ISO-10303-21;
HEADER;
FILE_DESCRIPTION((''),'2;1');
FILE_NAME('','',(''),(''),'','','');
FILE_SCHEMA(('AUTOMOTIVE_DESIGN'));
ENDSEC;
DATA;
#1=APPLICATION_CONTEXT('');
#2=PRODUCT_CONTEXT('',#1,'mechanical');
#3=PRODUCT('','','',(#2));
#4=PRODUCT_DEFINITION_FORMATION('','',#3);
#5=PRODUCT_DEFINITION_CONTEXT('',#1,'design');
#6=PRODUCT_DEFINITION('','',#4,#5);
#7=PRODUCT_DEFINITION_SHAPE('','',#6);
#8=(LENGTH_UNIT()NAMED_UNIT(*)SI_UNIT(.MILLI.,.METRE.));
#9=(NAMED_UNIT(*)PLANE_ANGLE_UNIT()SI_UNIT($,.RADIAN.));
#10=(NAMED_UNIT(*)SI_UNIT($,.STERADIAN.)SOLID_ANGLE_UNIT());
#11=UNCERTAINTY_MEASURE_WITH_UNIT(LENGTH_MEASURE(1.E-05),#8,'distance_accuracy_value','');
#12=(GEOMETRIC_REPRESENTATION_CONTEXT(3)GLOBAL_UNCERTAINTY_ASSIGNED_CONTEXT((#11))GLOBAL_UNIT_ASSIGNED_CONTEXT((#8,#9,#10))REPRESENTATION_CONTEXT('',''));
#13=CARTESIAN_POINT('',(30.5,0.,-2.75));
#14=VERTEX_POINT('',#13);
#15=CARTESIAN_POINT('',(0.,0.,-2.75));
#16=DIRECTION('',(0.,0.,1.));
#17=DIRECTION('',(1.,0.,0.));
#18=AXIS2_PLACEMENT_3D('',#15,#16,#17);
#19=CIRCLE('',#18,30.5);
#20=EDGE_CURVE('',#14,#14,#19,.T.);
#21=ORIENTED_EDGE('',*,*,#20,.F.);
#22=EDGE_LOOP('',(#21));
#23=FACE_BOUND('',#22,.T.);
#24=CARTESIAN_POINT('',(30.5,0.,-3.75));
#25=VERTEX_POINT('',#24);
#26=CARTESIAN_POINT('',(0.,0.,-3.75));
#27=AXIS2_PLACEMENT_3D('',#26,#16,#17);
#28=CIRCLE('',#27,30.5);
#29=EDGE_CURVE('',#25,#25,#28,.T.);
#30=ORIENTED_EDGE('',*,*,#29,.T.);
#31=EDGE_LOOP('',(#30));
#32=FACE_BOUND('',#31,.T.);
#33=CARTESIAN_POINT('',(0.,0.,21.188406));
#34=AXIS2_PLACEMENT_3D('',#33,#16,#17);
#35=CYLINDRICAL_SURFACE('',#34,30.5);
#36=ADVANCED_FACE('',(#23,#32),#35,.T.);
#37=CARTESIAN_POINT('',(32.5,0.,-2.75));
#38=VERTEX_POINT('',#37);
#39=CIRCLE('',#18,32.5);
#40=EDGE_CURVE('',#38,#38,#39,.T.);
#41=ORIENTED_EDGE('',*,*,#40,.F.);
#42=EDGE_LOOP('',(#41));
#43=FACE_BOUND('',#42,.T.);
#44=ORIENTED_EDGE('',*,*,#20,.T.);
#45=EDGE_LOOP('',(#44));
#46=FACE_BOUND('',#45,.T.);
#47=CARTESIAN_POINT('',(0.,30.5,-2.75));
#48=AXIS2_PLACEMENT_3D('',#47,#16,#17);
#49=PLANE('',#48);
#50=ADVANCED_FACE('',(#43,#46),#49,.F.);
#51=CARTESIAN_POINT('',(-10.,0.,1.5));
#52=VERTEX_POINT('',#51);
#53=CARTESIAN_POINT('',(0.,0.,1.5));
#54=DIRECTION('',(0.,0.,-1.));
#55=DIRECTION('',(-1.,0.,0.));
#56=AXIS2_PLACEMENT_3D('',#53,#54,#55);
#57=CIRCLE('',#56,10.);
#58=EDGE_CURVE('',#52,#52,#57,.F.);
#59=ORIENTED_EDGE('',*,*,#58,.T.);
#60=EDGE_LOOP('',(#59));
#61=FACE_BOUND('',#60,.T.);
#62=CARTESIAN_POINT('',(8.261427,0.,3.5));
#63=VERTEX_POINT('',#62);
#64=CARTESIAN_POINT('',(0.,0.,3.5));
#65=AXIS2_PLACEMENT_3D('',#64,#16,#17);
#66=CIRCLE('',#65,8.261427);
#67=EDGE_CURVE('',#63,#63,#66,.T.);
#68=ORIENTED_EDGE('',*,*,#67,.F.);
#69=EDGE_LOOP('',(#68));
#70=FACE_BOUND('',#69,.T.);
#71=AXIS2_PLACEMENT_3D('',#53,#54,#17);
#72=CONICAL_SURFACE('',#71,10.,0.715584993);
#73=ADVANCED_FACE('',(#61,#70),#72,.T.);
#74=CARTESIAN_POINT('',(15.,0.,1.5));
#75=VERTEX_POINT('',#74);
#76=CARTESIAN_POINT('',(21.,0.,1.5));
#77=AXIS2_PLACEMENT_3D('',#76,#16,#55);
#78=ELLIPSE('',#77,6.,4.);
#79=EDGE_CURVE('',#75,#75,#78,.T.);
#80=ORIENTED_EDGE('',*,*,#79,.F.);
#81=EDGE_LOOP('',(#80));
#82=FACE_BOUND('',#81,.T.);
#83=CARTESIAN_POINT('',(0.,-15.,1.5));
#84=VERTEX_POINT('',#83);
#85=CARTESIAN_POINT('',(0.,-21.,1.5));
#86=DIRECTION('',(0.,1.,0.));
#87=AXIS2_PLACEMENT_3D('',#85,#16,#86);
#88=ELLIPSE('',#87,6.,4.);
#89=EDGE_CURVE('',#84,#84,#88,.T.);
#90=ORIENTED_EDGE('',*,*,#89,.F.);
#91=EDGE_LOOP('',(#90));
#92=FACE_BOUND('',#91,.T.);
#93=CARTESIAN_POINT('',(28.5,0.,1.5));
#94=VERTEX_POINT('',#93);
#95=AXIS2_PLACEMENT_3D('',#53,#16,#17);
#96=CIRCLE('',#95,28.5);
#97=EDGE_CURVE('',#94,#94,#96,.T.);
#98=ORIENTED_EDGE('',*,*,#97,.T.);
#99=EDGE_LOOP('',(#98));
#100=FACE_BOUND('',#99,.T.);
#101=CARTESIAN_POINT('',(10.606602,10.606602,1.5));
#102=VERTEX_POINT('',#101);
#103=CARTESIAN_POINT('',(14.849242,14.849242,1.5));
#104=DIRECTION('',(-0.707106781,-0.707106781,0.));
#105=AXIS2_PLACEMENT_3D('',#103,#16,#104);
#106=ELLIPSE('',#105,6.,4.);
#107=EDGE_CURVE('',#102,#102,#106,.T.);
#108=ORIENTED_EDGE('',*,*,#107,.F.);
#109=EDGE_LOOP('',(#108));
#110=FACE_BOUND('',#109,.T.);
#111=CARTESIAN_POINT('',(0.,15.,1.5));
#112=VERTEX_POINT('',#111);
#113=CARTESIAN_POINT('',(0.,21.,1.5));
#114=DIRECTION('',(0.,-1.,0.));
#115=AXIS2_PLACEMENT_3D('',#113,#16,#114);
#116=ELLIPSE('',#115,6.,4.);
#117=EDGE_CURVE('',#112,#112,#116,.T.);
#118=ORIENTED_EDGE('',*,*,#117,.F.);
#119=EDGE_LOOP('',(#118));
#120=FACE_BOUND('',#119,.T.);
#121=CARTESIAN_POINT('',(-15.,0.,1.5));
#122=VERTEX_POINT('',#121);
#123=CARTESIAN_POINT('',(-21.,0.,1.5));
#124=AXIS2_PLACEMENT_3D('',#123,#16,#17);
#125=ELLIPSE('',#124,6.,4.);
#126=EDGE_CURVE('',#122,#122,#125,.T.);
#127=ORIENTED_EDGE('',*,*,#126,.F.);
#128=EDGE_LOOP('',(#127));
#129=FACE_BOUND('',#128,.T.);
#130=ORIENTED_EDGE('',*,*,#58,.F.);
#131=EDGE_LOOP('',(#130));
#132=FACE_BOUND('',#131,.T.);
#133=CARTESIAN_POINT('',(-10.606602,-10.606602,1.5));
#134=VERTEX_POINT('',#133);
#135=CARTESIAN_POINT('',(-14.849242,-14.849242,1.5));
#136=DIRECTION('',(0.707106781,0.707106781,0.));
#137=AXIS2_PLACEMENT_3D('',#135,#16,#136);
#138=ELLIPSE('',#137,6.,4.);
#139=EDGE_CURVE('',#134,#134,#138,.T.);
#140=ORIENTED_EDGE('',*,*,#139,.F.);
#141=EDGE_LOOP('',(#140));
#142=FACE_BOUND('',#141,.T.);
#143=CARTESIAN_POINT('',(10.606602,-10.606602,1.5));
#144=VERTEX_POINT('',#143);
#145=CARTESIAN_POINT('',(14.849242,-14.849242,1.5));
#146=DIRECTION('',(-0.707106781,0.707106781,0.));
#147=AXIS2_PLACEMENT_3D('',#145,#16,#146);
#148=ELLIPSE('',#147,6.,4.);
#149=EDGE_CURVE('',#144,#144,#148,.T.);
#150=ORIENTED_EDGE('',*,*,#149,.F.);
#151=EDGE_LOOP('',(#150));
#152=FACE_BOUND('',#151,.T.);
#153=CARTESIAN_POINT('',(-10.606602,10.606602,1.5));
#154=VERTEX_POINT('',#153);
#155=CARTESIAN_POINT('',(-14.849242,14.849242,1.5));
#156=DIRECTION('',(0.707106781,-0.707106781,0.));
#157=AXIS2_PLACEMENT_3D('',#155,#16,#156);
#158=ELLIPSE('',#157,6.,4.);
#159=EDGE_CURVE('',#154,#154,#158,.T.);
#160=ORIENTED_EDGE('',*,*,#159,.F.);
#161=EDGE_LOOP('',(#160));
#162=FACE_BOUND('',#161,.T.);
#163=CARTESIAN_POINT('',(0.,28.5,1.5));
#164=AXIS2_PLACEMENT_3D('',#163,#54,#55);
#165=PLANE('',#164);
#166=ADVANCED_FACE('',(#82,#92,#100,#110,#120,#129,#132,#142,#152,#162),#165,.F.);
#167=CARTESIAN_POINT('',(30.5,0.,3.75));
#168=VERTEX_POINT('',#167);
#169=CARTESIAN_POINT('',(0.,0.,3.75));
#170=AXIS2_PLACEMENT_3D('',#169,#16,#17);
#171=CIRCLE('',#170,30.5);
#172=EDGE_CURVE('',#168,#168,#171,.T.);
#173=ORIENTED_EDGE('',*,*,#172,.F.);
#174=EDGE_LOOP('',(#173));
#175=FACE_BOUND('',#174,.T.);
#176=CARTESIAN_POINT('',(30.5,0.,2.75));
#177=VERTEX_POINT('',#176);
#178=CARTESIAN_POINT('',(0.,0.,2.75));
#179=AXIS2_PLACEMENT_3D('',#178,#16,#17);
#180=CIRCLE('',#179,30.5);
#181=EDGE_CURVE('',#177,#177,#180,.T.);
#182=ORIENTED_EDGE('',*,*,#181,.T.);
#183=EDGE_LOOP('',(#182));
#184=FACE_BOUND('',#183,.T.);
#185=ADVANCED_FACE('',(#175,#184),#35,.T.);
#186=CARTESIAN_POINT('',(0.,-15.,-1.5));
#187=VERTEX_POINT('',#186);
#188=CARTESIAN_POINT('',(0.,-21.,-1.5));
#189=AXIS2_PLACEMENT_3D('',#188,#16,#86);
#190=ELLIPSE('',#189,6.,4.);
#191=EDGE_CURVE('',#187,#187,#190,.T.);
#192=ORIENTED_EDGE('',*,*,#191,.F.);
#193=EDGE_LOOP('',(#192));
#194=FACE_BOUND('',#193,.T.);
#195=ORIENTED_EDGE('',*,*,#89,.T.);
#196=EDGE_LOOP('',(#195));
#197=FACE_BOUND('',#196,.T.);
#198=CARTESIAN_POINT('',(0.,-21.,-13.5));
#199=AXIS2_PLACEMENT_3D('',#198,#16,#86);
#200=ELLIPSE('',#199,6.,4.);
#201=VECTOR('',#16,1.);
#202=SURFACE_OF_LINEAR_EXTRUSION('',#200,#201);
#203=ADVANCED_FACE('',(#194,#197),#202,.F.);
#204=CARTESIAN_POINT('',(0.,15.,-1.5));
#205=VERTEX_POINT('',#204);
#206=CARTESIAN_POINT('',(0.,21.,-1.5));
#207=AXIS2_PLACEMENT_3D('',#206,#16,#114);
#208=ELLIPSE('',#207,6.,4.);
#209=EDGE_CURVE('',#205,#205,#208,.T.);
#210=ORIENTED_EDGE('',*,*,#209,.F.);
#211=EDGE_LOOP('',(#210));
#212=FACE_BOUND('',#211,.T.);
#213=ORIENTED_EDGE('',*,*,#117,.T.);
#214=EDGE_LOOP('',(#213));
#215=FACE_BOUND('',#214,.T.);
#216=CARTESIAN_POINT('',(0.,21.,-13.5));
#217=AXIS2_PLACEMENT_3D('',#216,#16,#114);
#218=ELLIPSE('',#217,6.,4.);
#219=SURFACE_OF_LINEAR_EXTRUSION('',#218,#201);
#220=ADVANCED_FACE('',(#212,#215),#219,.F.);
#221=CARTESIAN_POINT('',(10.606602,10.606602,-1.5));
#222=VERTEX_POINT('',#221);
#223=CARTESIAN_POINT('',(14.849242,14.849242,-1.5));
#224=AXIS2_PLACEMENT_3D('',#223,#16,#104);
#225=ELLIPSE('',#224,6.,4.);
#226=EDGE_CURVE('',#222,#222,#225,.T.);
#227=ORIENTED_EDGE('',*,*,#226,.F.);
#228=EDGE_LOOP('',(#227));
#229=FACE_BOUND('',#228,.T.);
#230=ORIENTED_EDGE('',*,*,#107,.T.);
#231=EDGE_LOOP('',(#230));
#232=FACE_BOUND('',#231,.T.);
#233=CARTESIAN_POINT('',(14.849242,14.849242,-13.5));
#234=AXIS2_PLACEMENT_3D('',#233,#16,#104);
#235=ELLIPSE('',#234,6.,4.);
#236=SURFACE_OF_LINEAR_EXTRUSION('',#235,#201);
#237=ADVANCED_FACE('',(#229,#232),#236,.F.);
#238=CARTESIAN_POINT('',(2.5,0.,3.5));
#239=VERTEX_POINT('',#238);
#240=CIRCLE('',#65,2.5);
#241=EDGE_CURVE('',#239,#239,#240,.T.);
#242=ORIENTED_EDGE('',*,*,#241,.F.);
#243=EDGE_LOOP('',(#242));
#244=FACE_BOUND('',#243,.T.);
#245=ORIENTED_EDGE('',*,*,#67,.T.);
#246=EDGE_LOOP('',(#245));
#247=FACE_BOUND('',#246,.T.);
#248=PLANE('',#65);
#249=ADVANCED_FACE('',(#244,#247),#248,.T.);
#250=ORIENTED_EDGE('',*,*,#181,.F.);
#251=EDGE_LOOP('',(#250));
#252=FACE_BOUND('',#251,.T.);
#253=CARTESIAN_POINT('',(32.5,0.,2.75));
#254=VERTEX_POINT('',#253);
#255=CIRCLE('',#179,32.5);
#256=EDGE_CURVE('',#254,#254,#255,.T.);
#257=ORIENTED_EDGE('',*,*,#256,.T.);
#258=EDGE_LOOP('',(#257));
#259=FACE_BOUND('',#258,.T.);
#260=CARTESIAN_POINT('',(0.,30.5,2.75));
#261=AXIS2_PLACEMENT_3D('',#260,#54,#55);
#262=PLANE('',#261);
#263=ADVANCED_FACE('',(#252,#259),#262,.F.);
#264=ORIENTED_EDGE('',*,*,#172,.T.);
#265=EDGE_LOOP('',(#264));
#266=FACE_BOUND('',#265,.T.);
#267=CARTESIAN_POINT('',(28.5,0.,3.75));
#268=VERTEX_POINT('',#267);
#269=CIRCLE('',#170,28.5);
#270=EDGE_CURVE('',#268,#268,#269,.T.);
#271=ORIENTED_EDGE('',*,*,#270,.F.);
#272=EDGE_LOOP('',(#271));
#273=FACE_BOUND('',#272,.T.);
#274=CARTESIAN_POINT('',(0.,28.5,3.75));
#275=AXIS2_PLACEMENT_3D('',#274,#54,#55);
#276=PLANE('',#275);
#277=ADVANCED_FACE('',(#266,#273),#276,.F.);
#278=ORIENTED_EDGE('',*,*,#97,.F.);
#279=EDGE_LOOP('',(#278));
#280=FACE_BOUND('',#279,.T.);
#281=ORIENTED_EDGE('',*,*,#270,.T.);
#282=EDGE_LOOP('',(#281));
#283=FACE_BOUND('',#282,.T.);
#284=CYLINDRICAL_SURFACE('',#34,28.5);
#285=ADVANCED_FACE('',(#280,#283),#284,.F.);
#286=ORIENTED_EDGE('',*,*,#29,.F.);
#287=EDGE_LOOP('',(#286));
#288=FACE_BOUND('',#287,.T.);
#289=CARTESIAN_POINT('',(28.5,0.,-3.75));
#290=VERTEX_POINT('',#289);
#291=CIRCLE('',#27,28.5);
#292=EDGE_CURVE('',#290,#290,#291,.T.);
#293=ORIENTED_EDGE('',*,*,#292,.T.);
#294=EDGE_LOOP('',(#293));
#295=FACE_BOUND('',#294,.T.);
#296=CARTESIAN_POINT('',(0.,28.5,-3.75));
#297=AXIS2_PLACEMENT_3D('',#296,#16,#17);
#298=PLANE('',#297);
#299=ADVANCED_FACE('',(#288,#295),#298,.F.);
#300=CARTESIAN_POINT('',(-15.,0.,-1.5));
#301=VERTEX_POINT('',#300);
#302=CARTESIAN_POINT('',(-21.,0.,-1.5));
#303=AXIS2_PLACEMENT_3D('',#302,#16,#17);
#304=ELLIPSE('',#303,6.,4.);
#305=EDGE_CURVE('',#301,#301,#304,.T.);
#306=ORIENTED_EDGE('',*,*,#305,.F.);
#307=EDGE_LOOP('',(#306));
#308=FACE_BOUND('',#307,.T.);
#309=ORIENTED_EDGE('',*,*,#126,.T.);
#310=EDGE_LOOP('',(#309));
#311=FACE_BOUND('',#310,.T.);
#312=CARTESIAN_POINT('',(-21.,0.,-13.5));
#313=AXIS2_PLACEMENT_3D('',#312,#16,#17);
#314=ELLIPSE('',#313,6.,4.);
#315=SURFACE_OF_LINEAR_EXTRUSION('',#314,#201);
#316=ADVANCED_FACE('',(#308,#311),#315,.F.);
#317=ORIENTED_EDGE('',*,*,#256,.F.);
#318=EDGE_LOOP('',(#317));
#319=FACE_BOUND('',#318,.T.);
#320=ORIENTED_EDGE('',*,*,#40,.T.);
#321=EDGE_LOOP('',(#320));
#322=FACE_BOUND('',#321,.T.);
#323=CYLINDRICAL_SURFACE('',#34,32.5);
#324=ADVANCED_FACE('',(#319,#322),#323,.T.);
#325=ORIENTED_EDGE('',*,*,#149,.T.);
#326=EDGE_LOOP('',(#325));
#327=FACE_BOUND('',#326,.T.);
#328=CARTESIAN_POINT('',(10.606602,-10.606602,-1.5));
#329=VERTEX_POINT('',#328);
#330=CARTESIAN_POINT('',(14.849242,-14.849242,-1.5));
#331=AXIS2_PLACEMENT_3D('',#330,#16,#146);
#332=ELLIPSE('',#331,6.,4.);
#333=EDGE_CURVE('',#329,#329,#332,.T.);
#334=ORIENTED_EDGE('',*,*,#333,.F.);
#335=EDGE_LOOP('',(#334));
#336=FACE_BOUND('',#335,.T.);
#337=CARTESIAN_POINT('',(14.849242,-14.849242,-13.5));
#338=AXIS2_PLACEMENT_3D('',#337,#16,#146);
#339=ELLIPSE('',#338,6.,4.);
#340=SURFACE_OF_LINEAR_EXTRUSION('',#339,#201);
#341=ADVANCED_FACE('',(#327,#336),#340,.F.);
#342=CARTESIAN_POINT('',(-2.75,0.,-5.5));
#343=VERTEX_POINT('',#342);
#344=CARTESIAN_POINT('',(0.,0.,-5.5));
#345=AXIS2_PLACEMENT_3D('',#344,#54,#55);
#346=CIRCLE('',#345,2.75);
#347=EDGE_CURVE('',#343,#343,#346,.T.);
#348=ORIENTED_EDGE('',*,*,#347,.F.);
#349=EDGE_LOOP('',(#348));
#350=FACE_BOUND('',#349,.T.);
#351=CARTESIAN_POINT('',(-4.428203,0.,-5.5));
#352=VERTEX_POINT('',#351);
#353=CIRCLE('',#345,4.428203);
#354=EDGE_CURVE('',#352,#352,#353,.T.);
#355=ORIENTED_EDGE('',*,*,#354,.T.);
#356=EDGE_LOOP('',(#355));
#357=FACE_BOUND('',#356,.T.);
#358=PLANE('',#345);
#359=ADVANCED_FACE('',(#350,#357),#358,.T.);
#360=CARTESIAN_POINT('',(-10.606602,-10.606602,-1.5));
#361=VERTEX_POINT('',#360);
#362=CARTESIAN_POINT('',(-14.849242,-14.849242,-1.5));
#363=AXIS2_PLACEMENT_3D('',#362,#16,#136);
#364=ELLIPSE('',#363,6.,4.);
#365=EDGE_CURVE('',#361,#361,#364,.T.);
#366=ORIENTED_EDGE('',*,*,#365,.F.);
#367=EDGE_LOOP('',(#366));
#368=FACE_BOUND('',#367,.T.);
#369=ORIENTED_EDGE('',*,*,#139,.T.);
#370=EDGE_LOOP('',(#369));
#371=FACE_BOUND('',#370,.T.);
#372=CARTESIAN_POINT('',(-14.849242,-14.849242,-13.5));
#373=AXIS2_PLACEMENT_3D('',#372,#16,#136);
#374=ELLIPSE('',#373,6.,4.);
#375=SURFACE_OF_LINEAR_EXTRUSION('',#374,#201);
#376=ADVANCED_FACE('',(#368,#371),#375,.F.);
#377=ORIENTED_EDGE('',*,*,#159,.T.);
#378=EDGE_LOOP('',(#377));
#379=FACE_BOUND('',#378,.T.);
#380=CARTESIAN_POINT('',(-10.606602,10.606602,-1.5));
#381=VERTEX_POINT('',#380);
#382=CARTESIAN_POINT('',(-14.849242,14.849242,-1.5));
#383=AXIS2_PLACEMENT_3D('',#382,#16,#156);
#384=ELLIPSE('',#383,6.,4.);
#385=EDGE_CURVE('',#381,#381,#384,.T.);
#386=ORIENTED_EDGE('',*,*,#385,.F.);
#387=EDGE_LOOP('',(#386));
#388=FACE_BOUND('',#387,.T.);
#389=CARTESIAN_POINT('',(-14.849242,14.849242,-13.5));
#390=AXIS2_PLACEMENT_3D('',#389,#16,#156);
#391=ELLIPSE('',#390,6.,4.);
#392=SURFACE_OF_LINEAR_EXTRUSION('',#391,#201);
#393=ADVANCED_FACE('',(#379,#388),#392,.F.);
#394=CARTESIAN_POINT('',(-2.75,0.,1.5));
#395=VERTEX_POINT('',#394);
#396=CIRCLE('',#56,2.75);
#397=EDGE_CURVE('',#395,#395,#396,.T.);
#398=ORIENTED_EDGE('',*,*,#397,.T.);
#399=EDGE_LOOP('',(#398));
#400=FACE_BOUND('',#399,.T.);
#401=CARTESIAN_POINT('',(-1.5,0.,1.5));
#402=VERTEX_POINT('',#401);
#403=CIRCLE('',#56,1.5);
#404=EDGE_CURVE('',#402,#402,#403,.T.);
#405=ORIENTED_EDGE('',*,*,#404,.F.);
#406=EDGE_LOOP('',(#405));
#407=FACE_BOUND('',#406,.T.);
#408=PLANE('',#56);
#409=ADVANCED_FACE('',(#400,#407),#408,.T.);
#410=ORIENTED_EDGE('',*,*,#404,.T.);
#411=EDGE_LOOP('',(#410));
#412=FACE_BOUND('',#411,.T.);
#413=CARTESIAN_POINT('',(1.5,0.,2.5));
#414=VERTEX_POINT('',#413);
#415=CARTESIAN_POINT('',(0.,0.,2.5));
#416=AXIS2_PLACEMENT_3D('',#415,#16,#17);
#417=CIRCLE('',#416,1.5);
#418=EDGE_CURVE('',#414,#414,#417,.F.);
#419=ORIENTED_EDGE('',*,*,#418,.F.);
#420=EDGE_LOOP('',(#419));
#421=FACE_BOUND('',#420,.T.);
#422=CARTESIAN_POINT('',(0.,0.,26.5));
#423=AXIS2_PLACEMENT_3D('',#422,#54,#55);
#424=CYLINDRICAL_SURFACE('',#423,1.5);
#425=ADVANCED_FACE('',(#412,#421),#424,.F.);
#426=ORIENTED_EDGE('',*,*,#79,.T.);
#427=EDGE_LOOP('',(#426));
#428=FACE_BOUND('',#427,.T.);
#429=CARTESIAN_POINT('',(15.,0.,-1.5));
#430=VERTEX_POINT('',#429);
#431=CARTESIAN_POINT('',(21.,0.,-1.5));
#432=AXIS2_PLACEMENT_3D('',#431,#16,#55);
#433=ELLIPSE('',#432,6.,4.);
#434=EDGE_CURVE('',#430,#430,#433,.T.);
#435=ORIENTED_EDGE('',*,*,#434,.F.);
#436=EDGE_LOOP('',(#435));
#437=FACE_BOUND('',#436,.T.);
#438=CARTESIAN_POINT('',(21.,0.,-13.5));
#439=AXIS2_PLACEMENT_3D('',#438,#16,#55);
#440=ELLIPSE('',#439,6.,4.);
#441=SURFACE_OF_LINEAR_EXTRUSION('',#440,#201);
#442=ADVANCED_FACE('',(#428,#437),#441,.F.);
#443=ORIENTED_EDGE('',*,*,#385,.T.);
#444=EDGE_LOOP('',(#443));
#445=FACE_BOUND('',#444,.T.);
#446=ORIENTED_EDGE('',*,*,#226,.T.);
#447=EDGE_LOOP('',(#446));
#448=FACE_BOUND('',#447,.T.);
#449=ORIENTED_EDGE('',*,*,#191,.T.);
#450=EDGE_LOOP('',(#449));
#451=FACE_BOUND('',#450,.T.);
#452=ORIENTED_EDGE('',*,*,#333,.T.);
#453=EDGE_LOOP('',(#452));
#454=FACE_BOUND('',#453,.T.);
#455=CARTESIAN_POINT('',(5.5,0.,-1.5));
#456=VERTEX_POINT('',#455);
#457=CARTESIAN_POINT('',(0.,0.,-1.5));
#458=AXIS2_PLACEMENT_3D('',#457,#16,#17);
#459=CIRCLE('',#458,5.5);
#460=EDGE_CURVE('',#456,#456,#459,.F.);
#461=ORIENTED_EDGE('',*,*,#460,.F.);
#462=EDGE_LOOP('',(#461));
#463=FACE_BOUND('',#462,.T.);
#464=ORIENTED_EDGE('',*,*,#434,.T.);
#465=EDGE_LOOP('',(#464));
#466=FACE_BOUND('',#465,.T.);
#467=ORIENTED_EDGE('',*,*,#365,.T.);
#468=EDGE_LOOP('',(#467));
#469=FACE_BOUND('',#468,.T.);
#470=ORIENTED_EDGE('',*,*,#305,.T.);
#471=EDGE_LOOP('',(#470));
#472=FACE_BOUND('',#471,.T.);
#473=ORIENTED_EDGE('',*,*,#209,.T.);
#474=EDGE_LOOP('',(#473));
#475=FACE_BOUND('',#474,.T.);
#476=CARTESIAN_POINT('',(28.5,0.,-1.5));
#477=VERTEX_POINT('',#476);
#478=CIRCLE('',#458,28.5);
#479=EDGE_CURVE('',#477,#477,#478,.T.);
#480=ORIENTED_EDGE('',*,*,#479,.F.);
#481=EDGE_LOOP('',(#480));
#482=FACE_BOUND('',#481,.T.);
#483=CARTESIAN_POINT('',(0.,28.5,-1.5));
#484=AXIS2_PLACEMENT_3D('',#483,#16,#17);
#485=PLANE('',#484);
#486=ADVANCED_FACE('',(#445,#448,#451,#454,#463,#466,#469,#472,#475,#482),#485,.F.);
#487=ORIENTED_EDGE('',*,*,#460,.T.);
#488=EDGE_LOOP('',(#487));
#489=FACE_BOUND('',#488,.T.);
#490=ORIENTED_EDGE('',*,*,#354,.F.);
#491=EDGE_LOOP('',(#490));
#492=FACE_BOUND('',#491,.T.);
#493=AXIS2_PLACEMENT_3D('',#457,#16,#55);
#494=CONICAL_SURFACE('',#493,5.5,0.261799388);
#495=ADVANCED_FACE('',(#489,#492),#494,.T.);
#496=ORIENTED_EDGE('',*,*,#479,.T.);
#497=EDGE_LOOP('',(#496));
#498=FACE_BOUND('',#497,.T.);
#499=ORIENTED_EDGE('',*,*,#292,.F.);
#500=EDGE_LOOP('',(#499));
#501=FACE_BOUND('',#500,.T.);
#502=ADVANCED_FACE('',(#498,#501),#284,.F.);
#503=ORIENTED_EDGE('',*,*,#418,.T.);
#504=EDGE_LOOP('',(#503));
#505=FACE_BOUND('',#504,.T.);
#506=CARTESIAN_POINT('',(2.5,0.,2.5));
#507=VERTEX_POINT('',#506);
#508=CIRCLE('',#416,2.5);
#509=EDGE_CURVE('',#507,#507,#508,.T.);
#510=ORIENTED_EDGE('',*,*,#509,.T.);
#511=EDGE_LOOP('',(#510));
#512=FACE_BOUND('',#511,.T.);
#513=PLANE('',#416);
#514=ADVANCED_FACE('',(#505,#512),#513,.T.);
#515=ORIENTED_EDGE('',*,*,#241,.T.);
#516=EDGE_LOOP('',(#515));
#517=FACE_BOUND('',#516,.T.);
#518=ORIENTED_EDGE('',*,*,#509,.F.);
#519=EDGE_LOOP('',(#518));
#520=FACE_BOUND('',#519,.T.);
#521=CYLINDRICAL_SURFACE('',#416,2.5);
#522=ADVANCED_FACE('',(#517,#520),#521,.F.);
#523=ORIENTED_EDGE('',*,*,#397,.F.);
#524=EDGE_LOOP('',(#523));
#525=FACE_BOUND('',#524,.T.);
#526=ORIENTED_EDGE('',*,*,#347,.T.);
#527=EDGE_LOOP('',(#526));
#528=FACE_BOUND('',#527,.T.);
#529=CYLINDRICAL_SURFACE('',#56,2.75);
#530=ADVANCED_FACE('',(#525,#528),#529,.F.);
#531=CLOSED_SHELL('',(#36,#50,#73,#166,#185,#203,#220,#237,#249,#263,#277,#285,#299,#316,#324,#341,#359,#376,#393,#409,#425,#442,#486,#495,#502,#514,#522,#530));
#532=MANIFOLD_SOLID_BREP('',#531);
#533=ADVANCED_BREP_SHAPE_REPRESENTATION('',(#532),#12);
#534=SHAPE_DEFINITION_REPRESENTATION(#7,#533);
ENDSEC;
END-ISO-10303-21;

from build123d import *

# Parameters (mm, degrees)
SKETCH2_R           = 10
EXTRUDE1_DEPTH      = 2
EXTRUDE1_TAPER      = 41
SKETCH3_R           = 5.5
EXTRUDE2_DEPTH      = 4
EXTRUDE2_TAPER      = 15
SKETCH4_R           = 2.5
EXTRUDE3_DEPTH      = 1
SKETCH5_R           = 1.5
EXTRUDE4_DEPTH      = 24
EXTRUDE4_DEPTH_BACK = 15
SKETCH6_RX          = 6
SKETCH6_RY          = 4
EXTRUDE5_DEPTH      = 15
CIRPATTERN2_COUNT   = 8
SKETCH7_R           = 2.75
EXTRUDE6_DEPTH      = 7


with BuildPart() as part:
    # Sketch1 → Revolve1 (revolve)
    with BuildSketch(Plane(origin=(0, 0, 0), x_dir=(0, 0, -1), z_dir=(1, 0, 0))):
        Polygon((-3.75, 28.5), (-1.5, 28.5), (-1.5, 0), (1.5, 0), (1.5, 28.5), (3.75, 28.5), (3.75, 30.5), (2.75, 30.5), (2.75, 32.5), (-2.75, 32.5), (-2.75, 30.5), (-3.75, 30.5), align=None)
    revolve(axis=Axis((0, 0, 21.188406287), (0, 0, -1)))

    # Sketch2 → Extrude1 (add)
    with BuildSketch(Plane.XY.offset(1.5)):
        Circle(SKETCH2_R)
    extrude(amount=EXTRUDE1_DEPTH, taper=EXTRUDE1_TAPER)

    # Sketch3 → Extrude2 (add)
    with BuildSketch(Plane(origin=(0, 0, -1.5), x_dir=(-1, 0, 0), z_dir=(0, 0, -1))):
        Circle(SKETCH3_R)
    extrude(amount=EXTRUDE2_DEPTH, taper=EXTRUDE2_TAPER)

    # Sketch4 → Extrude3 (cut)
    with BuildSketch(Plane.XY.offset(3.5)):
        Circle(SKETCH4_R)
    extrude(amount=-EXTRUDE3_DEPTH, mode=Mode.SUBTRACT)

    # Sketch5 → Extrude4 (cut, two sides)
    with BuildSketch(Plane.XY.offset(2.5)) as extrude4_sk:
        Circle(SKETCH5_R)
    extrude(amount=EXTRUDE4_DEPTH, mode=Mode.SUBTRACT)
    extrude(extrude4_sk.sketch, amount=-EXTRUDE4_DEPTH_BACK, mode=Mode.SUBTRACT)

    # Sketch6 → Extrude5 (cut)
    with BuildSketch(Plane.XY.offset(1.5)):
        with Locations(Location((0, 21), (0, 0, 90))):
            Ellipse(SKETCH6_RX, SKETCH6_RY)
    extrude5 = extrude(amount=-EXTRUDE5_DEPTH, mode=Mode.SUBTRACT)

    # CirPattern2: Extrude5 ×8 about axis
    cirpattern2_axis = Axis((0, 0, 21.188406287), (0, 0, 1))
    for i in range(1, CIRPATTERN2_COUNT):
        add(extrude5.rotate(cirpattern2_axis, i * 360 / CIRPATTERN2_COUNT), mode=Mode.SUBTRACT)

    # Sketch7 → Extrude6 (cut)
    with BuildSketch(Plane(origin=(0, 0, -5.5), x_dir=(-1, 0, 0), z_dir=(0, 0, -1))):
        Circle(SKETCH7_R)
    extrude(amount=-EXTRUDE6_DEPTH, mode=Mode.SUBTRACT)


solid = part.part
